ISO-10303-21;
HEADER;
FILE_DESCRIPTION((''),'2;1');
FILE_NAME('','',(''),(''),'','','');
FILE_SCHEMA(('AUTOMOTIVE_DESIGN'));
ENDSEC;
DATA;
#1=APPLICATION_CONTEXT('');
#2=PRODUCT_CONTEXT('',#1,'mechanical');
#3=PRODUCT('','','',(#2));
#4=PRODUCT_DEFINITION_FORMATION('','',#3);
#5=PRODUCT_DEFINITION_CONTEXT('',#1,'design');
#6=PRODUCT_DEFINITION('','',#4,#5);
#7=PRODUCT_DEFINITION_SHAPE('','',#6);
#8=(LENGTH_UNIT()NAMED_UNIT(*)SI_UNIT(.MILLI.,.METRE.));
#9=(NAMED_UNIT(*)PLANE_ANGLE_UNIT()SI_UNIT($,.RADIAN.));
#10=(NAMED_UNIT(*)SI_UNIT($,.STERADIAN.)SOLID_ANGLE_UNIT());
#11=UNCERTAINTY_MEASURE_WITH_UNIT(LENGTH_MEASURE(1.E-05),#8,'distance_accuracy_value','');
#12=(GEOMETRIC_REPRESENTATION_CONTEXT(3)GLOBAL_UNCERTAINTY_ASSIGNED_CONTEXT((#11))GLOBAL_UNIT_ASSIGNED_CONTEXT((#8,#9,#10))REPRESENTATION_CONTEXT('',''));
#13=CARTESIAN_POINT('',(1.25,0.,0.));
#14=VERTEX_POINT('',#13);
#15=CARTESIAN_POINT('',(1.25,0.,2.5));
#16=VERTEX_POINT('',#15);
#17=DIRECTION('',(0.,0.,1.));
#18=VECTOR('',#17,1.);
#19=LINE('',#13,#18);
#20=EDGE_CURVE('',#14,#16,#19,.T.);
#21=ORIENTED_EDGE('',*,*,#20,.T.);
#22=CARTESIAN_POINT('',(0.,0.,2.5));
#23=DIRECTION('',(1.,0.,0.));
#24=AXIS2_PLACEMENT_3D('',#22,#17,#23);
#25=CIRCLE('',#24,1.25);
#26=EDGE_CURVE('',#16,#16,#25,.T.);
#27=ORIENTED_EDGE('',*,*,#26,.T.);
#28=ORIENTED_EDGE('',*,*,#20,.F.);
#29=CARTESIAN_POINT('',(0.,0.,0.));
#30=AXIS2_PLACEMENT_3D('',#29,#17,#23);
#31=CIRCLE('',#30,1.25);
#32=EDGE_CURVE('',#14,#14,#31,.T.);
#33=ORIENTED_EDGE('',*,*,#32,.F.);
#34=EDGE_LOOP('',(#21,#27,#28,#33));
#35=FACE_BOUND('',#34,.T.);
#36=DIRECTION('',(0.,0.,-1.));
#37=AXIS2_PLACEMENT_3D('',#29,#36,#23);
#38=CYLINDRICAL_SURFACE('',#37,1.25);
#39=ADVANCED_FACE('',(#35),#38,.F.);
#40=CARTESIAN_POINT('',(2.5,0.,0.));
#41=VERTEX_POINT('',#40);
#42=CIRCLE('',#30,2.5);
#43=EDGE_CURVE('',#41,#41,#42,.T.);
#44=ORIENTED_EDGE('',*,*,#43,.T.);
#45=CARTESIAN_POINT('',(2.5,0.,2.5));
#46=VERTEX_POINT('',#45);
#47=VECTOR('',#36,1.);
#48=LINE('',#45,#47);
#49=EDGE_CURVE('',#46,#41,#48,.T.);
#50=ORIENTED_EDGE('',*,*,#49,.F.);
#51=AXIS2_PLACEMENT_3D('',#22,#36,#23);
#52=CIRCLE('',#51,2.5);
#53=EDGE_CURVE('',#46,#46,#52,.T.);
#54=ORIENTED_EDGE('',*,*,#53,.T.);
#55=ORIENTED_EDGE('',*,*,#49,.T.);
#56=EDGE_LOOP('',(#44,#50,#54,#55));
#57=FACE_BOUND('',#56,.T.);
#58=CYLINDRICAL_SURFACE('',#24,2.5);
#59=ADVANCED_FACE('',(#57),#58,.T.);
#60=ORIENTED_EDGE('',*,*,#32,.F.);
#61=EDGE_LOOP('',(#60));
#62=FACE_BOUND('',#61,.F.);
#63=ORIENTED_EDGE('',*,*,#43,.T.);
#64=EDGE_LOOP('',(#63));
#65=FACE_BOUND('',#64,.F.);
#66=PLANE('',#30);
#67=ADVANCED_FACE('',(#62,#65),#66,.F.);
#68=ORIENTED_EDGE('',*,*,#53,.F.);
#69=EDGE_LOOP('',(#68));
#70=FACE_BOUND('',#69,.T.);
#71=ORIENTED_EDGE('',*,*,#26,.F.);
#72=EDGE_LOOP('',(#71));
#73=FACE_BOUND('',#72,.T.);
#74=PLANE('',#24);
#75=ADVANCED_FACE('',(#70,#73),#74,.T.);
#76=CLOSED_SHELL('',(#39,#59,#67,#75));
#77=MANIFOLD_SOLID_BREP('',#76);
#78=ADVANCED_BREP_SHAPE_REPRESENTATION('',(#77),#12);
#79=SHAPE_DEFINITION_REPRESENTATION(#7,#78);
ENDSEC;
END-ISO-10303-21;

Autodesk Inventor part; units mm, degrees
ref_plane "XZ Plane" through (0, 0, 0) normal (0, 1, 0) x (-1, 0, 0)
ref_plane "XY Plane" through (0, 0, 0) normal (0, 0, 1) x (1, 0, 0)
sketch "Sketch1" plane through (0, 0, 0) normal (0, 0, 1) x (1, 0, 0)
  circle A0 centre (0, 0) radius 1.25
  line L0 (0, 0) -> (0, 2.5) construction
  line L1 (0, 2.5) -> (0, -2.5) construction
  line L2 (0, -2.5) -> (2.5, -2.5) construction
  line L3 (0, 2.5) -> (-2.5, 2.5) construction
  line L4 (2.5, -2.5) -> (-2.5, -2.5)
  line L5 (-2.5, -2.5) -> (-2.5, 2.5)
  line L6 (-2.5, 2.5) -> (2.5, 2.5)
  line L7 (2.5, 2.5) -> (2.5, -2.5)
  dimension "d0" = 2.5
  dimension "d1" = 2.5
  dimension "d2" = 5
  dimension "d3" = 2.5
  dimension "d4" = 2.5
extrude "Extrusion1" add sketch "Sketch1" along normal blind 2.5
thread "Thread1" size "M2.5x0.45" class "6H" standard "ANSI Metric M Profile" full length
sketch "Sketch2" plane through (0, 0, 2.5) normal (0, 0, 1) x (1, 0, 0)
  circle A0 centre (0, 0) radius 1.25 projected
  circle A1 centre (0, 0) radius 2.5
  circle A2 centre (0, 0) radius 4.0791
extrude "Extrusion2" cut sketch "Sketch2" against normal blind 10 contours A2
ref_plane "Work Plane2" through (0, 0, 0) normal (1, 0, 0) x (0, 1, 0)
properties part number "Fijador"
